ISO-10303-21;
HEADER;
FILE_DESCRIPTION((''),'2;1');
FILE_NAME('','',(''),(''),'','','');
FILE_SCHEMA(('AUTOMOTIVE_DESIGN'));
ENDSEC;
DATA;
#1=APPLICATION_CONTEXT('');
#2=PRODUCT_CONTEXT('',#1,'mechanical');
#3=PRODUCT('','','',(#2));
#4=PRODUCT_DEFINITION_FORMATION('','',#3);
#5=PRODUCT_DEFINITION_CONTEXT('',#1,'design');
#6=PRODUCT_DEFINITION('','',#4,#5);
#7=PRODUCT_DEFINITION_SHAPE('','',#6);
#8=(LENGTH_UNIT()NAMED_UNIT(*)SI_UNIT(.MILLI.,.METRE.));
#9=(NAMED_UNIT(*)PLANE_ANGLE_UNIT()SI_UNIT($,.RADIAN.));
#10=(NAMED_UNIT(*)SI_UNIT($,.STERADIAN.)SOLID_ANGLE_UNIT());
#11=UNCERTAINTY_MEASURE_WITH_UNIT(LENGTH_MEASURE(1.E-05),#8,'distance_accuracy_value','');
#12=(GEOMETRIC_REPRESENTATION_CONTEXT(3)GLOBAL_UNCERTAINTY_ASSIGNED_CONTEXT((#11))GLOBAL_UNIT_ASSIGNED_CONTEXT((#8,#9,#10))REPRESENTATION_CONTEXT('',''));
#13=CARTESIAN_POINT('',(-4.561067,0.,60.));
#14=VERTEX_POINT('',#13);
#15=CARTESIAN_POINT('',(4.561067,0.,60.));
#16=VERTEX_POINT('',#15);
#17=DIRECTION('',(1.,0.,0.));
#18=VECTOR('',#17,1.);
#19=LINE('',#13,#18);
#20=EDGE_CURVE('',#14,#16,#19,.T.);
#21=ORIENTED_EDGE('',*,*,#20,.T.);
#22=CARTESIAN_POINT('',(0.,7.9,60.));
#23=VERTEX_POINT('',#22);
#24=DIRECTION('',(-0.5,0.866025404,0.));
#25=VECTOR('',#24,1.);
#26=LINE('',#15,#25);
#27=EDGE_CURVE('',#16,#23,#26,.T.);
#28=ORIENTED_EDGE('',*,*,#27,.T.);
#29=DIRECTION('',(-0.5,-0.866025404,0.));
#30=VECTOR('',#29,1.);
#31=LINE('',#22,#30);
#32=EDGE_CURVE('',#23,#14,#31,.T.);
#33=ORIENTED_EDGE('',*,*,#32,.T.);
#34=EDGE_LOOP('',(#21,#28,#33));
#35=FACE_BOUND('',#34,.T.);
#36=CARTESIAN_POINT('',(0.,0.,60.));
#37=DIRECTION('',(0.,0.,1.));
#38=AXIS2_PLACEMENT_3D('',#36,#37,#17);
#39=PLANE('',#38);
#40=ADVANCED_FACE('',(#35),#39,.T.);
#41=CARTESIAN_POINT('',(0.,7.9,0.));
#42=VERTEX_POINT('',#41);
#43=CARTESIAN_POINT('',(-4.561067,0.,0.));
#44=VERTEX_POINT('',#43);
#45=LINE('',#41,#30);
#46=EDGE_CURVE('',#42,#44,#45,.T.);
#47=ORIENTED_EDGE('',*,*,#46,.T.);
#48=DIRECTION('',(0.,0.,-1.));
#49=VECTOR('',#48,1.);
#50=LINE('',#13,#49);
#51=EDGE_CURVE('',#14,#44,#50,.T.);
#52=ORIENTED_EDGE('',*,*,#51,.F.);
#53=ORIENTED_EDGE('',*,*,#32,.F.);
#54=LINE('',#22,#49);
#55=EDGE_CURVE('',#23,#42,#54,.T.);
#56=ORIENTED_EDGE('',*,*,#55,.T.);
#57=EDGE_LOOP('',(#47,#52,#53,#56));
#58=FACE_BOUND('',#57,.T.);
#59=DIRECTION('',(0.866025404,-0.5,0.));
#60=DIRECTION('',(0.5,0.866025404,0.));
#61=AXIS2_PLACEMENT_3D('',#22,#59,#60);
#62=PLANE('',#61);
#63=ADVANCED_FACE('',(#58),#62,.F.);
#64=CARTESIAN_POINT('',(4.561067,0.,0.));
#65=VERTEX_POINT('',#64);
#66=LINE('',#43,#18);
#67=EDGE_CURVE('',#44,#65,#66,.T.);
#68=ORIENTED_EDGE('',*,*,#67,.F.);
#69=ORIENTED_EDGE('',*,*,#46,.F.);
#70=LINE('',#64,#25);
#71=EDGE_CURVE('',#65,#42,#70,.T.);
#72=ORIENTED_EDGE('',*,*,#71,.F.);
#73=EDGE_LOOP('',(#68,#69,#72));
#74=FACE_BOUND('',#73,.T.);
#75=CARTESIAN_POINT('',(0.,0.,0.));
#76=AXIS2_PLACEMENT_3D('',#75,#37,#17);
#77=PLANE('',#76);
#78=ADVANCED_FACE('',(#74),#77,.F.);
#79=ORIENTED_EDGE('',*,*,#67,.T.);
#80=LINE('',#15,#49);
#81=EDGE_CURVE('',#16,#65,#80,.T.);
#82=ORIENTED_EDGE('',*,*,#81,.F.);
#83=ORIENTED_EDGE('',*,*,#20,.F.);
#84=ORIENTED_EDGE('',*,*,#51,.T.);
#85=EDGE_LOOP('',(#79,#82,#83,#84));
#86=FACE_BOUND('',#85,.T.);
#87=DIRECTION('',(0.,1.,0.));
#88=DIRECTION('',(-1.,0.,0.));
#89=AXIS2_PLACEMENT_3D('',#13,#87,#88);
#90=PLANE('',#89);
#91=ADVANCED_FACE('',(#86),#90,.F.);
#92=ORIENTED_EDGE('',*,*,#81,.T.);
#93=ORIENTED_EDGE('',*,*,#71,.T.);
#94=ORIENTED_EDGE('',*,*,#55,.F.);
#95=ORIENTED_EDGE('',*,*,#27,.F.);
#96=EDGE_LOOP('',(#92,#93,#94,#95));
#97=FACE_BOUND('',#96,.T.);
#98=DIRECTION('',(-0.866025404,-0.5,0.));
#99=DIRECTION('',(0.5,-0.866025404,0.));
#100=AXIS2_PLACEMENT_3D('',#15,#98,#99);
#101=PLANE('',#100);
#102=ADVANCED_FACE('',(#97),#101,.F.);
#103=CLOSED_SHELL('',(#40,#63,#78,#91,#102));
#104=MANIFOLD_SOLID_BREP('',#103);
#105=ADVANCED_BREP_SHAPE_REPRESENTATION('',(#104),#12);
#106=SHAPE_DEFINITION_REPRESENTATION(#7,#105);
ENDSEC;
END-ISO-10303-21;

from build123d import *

# Parameters (mm, degrees)
BOSS_EXTRUDE1_DEPTH = 60


with BuildPart() as part:
    # Sketch1 → Boss-Extrude1 (new body)
    with BuildSketch(Plane.XY):
        Polygon((4.561067127, 0), (0, 7.9), (-4.561067127, 0), align=None)
    extrude(amount=BOSS_EXTRUDE1_DEPTH)


solid = part.part
